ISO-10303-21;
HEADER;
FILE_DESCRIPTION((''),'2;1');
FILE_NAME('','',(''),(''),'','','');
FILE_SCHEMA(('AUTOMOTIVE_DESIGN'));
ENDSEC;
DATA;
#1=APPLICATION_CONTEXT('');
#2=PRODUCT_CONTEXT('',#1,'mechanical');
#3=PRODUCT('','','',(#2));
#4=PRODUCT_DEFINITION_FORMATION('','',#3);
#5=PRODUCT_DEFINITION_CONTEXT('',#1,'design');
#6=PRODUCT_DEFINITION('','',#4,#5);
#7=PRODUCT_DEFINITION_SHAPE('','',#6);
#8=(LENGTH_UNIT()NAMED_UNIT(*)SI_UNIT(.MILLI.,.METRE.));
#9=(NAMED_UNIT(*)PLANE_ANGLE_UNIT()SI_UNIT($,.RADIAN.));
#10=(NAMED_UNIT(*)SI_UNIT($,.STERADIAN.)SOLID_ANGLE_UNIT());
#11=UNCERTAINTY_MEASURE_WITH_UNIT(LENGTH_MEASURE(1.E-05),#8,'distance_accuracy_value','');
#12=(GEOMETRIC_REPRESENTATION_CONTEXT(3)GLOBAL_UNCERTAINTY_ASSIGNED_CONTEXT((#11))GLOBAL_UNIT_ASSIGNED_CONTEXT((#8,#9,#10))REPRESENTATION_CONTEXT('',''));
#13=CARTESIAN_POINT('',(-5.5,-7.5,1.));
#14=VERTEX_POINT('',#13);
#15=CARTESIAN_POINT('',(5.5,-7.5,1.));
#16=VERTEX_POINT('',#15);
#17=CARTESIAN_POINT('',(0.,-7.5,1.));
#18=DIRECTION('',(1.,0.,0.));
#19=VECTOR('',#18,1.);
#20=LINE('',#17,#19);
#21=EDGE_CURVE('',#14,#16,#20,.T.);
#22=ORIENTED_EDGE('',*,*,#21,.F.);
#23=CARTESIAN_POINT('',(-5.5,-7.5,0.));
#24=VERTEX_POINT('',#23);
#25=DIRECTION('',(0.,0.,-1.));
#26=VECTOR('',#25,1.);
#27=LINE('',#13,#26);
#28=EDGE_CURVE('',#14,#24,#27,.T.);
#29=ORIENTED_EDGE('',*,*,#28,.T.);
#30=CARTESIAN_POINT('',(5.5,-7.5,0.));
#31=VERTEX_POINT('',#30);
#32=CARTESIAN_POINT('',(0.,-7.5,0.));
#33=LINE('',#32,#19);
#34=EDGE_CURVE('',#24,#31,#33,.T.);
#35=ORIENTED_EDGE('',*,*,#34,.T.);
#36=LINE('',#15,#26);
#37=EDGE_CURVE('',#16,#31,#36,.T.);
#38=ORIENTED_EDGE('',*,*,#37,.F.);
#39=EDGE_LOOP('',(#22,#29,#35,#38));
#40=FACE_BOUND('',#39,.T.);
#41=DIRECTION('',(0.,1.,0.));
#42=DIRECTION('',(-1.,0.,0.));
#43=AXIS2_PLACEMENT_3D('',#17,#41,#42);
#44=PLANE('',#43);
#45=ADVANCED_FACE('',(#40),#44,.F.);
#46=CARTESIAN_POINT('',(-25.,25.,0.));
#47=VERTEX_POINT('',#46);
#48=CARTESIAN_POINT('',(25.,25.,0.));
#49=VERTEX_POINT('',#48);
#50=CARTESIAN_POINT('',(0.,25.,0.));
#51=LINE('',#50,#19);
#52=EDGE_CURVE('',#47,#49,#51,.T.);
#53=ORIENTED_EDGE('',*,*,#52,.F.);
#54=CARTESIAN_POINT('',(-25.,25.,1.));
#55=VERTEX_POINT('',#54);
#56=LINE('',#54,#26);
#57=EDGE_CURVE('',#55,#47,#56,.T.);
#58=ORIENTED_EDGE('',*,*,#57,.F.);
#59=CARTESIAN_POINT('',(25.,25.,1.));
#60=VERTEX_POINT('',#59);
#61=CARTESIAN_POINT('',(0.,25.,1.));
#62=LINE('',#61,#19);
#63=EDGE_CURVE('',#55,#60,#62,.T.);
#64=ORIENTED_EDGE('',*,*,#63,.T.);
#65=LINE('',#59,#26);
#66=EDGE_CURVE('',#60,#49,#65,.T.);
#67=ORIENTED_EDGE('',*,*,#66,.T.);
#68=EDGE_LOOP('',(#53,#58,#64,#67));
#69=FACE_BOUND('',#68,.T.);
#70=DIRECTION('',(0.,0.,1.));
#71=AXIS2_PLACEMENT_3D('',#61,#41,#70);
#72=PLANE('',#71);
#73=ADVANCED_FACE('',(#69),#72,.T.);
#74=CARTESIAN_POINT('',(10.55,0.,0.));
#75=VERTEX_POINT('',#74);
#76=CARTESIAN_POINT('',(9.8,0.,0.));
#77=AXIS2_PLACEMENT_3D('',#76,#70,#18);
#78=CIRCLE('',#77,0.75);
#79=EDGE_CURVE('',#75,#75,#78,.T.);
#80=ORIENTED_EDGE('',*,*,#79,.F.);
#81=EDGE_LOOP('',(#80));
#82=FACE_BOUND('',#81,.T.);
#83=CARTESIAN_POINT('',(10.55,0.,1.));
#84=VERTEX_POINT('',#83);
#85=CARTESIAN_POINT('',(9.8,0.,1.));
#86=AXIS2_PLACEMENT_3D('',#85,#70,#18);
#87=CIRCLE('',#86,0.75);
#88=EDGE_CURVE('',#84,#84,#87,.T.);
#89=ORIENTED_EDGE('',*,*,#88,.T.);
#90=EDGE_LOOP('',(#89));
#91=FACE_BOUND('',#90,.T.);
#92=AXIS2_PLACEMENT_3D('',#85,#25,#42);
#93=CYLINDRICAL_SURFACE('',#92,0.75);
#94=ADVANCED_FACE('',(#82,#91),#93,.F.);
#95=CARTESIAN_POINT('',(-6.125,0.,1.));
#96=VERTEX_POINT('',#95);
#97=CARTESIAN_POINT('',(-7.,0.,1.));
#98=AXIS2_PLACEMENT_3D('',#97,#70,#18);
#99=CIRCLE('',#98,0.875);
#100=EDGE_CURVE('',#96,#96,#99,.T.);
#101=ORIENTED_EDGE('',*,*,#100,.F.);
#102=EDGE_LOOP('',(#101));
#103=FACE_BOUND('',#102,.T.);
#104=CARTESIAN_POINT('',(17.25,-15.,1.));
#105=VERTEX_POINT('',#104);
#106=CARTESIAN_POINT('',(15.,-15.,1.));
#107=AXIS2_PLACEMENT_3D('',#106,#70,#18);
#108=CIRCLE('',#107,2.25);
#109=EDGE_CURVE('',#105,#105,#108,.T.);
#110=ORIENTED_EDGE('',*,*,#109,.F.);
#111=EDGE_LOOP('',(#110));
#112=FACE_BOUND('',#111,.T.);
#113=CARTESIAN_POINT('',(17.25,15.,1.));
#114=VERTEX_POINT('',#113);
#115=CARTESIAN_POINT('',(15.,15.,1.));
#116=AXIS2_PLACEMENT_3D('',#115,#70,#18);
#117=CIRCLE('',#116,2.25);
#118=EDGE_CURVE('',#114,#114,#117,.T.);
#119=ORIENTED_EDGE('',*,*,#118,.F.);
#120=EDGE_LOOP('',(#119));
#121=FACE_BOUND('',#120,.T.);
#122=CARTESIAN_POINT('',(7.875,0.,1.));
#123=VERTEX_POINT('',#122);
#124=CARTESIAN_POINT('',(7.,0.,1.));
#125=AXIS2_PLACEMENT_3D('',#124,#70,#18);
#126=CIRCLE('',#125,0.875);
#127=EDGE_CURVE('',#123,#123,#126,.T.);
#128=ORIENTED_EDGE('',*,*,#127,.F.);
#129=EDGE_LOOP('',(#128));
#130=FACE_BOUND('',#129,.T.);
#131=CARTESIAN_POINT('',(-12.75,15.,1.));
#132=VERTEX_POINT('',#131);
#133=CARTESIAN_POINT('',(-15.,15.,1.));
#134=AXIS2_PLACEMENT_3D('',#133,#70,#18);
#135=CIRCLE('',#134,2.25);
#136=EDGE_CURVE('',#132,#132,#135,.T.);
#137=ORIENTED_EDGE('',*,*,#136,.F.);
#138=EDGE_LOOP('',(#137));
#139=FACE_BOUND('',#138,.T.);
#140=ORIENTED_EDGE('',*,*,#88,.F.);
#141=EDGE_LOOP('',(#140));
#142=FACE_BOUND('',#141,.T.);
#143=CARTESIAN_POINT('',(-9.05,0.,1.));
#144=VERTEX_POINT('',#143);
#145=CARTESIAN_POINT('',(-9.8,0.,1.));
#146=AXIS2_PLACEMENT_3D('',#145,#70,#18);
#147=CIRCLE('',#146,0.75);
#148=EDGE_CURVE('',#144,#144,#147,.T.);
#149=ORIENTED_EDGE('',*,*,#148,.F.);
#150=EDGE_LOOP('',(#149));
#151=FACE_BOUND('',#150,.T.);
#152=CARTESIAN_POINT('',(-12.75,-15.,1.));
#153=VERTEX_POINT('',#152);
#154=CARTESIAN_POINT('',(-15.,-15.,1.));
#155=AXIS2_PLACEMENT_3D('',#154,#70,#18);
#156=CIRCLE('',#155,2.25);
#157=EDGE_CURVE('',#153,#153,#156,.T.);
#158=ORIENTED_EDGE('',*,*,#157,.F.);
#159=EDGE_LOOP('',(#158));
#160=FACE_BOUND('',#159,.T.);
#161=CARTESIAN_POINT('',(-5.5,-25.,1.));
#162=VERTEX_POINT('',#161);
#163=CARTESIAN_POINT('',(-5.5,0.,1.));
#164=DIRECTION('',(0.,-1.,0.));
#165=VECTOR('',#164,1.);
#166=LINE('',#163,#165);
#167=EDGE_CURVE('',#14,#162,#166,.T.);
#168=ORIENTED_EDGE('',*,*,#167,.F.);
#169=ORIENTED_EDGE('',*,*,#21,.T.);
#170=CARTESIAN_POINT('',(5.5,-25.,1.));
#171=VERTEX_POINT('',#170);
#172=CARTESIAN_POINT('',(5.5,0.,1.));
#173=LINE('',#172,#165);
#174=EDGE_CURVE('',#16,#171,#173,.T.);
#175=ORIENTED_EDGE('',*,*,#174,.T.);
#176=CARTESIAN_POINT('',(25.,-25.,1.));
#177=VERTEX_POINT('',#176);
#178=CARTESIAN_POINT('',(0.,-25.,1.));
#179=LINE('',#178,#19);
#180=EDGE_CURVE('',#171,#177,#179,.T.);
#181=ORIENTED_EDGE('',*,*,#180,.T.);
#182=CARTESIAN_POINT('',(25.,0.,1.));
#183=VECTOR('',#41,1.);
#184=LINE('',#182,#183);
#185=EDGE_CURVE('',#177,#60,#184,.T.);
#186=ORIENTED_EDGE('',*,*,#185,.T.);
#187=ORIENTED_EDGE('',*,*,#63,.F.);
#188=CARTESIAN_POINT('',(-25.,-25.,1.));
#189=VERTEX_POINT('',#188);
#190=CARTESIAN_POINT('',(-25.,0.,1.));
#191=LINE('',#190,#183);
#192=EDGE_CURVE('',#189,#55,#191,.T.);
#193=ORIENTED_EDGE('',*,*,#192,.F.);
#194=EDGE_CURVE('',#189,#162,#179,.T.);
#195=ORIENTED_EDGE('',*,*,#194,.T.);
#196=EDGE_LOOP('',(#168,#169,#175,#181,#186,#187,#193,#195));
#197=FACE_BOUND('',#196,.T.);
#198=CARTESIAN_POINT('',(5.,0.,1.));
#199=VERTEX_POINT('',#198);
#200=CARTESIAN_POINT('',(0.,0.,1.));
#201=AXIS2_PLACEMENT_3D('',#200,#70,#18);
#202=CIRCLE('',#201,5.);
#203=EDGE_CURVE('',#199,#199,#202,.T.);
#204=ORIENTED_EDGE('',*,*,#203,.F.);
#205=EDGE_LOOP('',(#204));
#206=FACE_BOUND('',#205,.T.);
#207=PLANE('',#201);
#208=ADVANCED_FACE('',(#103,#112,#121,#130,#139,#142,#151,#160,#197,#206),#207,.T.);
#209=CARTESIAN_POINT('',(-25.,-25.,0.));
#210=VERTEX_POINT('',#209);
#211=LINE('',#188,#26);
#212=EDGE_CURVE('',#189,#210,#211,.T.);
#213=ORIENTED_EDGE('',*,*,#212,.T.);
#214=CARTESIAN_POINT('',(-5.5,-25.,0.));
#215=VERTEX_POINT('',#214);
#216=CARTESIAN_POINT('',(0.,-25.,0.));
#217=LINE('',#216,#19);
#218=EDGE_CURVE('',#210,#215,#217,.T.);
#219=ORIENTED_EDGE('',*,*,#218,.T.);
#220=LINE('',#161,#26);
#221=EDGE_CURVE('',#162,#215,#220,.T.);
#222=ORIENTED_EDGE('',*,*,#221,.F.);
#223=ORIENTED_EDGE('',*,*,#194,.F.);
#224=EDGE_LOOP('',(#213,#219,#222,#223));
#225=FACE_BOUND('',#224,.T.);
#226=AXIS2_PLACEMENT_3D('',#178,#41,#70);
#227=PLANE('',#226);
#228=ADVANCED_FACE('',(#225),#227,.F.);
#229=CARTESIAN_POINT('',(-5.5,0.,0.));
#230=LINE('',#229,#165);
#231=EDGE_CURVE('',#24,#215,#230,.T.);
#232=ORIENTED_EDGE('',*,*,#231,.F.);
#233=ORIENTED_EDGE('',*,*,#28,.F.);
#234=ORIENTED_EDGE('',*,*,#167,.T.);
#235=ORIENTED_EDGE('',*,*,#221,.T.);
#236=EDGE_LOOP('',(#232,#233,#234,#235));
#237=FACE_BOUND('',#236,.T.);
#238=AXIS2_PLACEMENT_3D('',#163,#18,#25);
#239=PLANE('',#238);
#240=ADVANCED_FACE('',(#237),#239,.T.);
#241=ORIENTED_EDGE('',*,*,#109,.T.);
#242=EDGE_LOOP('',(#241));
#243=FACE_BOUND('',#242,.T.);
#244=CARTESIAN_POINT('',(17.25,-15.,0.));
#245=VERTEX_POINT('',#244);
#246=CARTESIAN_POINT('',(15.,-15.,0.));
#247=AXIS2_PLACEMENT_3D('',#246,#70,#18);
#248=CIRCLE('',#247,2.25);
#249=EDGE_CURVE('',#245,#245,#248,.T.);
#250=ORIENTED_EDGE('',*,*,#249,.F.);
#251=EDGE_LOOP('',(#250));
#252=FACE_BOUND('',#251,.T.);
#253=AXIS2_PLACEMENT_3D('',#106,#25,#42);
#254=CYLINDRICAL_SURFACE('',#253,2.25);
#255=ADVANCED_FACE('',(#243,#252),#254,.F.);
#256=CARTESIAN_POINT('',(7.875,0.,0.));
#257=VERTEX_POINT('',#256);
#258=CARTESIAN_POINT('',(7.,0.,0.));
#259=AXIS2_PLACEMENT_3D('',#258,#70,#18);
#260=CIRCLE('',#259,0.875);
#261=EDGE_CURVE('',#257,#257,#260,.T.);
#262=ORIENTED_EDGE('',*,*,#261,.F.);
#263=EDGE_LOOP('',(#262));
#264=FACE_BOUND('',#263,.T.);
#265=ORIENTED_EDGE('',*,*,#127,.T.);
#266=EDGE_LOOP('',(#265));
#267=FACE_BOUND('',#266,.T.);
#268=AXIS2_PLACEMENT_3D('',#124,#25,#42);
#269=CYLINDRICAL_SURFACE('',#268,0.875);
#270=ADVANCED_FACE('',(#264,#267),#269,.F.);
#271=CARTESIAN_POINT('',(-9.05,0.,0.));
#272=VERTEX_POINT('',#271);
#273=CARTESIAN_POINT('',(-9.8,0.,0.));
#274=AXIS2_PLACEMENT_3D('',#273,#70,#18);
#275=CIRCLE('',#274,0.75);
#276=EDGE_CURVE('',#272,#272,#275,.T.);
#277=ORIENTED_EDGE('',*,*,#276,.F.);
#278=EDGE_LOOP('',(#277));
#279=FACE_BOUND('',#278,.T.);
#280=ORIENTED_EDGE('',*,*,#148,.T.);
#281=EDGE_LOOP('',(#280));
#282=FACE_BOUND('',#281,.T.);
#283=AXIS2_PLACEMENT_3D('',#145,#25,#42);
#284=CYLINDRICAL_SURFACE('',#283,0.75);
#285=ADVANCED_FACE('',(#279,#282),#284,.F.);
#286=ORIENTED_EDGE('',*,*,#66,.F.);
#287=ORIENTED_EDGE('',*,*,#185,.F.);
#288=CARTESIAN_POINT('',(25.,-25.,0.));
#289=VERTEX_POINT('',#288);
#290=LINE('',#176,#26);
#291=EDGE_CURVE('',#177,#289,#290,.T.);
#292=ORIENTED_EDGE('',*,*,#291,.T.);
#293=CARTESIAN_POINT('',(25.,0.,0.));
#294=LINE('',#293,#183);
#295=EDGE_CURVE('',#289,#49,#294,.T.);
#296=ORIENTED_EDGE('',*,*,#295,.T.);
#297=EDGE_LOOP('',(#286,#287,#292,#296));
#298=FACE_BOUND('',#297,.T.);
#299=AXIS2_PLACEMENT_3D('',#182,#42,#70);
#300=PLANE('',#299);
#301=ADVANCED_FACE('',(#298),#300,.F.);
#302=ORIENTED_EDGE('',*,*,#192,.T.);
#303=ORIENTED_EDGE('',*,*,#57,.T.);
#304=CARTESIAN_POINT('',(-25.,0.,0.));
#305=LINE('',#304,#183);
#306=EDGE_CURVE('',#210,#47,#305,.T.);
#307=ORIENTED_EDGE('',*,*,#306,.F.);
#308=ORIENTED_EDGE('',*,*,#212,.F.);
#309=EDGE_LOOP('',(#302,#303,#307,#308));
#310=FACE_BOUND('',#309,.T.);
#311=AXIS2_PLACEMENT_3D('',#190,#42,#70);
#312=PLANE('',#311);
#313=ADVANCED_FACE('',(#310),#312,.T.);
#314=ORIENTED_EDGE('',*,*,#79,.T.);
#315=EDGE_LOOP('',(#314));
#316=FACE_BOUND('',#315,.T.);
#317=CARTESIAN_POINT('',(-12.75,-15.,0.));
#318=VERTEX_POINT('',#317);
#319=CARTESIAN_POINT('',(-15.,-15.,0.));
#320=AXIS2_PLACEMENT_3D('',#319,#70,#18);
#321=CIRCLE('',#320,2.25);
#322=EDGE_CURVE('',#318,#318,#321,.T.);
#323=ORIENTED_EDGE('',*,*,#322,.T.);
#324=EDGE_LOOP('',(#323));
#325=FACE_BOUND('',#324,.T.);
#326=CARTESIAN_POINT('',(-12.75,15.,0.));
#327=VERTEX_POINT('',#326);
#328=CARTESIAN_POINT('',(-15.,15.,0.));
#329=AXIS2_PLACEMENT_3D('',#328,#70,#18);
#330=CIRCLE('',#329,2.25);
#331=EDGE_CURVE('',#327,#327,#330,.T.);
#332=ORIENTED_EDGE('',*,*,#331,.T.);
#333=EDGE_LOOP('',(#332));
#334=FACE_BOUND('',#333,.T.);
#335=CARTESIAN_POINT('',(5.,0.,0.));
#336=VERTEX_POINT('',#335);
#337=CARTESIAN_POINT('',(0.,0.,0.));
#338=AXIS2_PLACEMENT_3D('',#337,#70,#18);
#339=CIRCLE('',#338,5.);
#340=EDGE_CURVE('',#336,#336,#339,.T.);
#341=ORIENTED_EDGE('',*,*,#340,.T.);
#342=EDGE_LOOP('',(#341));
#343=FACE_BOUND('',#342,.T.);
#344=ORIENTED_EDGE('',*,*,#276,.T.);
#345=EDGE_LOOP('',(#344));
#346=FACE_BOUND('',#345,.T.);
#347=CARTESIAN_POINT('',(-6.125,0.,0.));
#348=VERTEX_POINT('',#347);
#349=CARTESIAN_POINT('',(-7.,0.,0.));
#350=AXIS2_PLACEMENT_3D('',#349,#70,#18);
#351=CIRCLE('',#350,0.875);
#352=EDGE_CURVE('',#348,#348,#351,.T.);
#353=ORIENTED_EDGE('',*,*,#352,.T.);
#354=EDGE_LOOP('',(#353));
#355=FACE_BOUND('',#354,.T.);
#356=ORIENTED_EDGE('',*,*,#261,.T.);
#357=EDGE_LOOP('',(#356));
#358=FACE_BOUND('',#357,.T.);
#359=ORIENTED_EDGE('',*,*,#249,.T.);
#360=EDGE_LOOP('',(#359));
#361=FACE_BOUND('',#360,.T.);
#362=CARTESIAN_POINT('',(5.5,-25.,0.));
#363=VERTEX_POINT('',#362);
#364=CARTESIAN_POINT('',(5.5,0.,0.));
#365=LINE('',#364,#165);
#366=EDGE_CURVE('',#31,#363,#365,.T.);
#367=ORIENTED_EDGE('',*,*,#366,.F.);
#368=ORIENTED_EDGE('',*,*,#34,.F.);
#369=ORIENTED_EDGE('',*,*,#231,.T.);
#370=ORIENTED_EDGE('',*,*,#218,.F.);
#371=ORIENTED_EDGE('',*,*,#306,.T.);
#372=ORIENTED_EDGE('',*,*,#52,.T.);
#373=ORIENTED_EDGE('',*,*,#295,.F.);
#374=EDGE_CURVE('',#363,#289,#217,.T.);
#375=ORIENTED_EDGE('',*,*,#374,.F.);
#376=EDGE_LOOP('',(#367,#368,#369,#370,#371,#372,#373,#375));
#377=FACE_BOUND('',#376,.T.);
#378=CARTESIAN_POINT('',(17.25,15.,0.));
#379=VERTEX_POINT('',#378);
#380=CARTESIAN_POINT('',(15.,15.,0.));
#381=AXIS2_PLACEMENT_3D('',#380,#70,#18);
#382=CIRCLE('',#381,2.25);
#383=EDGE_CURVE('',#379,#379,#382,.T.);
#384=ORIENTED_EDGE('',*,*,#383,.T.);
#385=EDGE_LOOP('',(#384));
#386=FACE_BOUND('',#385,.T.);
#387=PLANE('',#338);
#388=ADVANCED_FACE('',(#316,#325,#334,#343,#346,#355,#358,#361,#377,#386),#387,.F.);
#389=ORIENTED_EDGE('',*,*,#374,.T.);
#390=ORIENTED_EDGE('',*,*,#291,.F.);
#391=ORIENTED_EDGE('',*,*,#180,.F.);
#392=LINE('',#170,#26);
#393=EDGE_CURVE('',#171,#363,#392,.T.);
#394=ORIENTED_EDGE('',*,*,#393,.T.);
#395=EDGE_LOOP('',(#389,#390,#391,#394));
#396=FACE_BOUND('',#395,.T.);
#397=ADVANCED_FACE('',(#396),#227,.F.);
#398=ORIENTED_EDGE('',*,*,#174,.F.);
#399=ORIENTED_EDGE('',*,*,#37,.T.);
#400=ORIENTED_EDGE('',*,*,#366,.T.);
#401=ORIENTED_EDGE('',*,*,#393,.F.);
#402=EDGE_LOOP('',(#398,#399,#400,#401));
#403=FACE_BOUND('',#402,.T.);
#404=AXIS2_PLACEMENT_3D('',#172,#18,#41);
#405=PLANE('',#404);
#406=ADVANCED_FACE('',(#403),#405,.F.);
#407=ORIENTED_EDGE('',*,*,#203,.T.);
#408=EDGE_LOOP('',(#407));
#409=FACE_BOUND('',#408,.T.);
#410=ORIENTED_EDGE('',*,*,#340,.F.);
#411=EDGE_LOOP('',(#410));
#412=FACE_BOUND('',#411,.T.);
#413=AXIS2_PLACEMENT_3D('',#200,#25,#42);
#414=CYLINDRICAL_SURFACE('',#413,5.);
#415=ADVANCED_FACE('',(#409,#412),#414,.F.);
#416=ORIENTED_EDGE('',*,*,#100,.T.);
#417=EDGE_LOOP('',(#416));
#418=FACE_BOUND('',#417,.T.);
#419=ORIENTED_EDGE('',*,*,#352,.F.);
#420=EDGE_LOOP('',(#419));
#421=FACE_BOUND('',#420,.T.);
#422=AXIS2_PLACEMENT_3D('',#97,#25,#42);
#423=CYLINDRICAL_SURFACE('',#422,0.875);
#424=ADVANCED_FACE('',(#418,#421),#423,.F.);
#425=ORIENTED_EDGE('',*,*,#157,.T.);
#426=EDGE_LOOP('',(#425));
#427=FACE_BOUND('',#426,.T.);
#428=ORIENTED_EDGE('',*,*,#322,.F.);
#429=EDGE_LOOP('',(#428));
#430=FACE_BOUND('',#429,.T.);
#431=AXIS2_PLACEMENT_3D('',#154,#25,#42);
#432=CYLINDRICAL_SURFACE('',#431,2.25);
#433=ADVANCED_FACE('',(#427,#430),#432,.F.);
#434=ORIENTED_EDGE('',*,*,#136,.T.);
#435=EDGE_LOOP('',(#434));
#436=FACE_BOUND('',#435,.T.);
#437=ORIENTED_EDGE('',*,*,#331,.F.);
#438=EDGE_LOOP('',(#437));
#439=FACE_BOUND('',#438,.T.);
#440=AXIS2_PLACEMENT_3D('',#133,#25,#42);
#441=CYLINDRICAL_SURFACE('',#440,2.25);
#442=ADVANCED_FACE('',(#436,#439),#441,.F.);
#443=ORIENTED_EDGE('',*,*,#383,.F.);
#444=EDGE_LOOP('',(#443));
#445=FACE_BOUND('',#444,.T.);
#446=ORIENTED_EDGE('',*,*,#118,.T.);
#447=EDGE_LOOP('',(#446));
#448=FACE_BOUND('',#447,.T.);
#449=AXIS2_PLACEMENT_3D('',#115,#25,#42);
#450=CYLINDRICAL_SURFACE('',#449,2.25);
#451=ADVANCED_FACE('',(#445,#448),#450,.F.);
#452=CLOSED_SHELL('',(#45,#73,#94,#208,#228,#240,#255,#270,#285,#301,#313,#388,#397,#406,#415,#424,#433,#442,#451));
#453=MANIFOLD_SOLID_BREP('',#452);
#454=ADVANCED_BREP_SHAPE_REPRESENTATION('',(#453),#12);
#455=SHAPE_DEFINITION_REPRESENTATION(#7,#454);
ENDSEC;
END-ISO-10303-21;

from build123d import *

# Parameters (mm, degrees)
SKETCH1_R           = 2.25
SKETCH1_R_2         = 5
SKETCH1_R_3         = 0.75
SKETCH1_R_4         = 0.875
BOSS_EXTRUDE1_DEPTH = 1


with BuildPart() as part:
    # Sketch1 → Boss-Extrude1 (new body)
    with BuildSketch(Plane.XY):
        Polygon((-25, 25), (-25, -25), (-5.5, -25), (-5.5, -7.5), (5.5, -7.5), (5.5, -25), (25, -25), (25, 25), align=None)
        with Locations((-15, -15)):
            Circle(SKETCH1_R, mode=Mode.SUBTRACT)
        Circle(SKETCH1_R_2, mode=Mode.SUBTRACT)
        with Locations((15, -15)):
            Circle(SKETCH1_R, mode=Mode.SUBTRACT)
        with Locations((-9.8, 0)):
            Circle(SKETCH1_R_3, mode=Mode.SUBTRACT)
        with Locations((-7, 0)):
            Circle(SKETCH1_R_4, mode=Mode.SUBTRACT)
        with Locations((-15, 15)):
            Circle(SKETCH1_R, mode=Mode.SUBTRACT)
        with Locations((7, 0)):
            Circle(SKETCH1_R_4, mode=Mode.SUBTRACT)
        with Locations((9.8, 0)):
            Circle(SKETCH1_R_3, mode=Mode.SUBTRACT)
        with Locations((15, 15)):
            Circle(SKETCH1_R, mode=Mode.SUBTRACT)
    extrude(amount=BOSS_EXTRUDE1_DEPTH)


solid = part.part
